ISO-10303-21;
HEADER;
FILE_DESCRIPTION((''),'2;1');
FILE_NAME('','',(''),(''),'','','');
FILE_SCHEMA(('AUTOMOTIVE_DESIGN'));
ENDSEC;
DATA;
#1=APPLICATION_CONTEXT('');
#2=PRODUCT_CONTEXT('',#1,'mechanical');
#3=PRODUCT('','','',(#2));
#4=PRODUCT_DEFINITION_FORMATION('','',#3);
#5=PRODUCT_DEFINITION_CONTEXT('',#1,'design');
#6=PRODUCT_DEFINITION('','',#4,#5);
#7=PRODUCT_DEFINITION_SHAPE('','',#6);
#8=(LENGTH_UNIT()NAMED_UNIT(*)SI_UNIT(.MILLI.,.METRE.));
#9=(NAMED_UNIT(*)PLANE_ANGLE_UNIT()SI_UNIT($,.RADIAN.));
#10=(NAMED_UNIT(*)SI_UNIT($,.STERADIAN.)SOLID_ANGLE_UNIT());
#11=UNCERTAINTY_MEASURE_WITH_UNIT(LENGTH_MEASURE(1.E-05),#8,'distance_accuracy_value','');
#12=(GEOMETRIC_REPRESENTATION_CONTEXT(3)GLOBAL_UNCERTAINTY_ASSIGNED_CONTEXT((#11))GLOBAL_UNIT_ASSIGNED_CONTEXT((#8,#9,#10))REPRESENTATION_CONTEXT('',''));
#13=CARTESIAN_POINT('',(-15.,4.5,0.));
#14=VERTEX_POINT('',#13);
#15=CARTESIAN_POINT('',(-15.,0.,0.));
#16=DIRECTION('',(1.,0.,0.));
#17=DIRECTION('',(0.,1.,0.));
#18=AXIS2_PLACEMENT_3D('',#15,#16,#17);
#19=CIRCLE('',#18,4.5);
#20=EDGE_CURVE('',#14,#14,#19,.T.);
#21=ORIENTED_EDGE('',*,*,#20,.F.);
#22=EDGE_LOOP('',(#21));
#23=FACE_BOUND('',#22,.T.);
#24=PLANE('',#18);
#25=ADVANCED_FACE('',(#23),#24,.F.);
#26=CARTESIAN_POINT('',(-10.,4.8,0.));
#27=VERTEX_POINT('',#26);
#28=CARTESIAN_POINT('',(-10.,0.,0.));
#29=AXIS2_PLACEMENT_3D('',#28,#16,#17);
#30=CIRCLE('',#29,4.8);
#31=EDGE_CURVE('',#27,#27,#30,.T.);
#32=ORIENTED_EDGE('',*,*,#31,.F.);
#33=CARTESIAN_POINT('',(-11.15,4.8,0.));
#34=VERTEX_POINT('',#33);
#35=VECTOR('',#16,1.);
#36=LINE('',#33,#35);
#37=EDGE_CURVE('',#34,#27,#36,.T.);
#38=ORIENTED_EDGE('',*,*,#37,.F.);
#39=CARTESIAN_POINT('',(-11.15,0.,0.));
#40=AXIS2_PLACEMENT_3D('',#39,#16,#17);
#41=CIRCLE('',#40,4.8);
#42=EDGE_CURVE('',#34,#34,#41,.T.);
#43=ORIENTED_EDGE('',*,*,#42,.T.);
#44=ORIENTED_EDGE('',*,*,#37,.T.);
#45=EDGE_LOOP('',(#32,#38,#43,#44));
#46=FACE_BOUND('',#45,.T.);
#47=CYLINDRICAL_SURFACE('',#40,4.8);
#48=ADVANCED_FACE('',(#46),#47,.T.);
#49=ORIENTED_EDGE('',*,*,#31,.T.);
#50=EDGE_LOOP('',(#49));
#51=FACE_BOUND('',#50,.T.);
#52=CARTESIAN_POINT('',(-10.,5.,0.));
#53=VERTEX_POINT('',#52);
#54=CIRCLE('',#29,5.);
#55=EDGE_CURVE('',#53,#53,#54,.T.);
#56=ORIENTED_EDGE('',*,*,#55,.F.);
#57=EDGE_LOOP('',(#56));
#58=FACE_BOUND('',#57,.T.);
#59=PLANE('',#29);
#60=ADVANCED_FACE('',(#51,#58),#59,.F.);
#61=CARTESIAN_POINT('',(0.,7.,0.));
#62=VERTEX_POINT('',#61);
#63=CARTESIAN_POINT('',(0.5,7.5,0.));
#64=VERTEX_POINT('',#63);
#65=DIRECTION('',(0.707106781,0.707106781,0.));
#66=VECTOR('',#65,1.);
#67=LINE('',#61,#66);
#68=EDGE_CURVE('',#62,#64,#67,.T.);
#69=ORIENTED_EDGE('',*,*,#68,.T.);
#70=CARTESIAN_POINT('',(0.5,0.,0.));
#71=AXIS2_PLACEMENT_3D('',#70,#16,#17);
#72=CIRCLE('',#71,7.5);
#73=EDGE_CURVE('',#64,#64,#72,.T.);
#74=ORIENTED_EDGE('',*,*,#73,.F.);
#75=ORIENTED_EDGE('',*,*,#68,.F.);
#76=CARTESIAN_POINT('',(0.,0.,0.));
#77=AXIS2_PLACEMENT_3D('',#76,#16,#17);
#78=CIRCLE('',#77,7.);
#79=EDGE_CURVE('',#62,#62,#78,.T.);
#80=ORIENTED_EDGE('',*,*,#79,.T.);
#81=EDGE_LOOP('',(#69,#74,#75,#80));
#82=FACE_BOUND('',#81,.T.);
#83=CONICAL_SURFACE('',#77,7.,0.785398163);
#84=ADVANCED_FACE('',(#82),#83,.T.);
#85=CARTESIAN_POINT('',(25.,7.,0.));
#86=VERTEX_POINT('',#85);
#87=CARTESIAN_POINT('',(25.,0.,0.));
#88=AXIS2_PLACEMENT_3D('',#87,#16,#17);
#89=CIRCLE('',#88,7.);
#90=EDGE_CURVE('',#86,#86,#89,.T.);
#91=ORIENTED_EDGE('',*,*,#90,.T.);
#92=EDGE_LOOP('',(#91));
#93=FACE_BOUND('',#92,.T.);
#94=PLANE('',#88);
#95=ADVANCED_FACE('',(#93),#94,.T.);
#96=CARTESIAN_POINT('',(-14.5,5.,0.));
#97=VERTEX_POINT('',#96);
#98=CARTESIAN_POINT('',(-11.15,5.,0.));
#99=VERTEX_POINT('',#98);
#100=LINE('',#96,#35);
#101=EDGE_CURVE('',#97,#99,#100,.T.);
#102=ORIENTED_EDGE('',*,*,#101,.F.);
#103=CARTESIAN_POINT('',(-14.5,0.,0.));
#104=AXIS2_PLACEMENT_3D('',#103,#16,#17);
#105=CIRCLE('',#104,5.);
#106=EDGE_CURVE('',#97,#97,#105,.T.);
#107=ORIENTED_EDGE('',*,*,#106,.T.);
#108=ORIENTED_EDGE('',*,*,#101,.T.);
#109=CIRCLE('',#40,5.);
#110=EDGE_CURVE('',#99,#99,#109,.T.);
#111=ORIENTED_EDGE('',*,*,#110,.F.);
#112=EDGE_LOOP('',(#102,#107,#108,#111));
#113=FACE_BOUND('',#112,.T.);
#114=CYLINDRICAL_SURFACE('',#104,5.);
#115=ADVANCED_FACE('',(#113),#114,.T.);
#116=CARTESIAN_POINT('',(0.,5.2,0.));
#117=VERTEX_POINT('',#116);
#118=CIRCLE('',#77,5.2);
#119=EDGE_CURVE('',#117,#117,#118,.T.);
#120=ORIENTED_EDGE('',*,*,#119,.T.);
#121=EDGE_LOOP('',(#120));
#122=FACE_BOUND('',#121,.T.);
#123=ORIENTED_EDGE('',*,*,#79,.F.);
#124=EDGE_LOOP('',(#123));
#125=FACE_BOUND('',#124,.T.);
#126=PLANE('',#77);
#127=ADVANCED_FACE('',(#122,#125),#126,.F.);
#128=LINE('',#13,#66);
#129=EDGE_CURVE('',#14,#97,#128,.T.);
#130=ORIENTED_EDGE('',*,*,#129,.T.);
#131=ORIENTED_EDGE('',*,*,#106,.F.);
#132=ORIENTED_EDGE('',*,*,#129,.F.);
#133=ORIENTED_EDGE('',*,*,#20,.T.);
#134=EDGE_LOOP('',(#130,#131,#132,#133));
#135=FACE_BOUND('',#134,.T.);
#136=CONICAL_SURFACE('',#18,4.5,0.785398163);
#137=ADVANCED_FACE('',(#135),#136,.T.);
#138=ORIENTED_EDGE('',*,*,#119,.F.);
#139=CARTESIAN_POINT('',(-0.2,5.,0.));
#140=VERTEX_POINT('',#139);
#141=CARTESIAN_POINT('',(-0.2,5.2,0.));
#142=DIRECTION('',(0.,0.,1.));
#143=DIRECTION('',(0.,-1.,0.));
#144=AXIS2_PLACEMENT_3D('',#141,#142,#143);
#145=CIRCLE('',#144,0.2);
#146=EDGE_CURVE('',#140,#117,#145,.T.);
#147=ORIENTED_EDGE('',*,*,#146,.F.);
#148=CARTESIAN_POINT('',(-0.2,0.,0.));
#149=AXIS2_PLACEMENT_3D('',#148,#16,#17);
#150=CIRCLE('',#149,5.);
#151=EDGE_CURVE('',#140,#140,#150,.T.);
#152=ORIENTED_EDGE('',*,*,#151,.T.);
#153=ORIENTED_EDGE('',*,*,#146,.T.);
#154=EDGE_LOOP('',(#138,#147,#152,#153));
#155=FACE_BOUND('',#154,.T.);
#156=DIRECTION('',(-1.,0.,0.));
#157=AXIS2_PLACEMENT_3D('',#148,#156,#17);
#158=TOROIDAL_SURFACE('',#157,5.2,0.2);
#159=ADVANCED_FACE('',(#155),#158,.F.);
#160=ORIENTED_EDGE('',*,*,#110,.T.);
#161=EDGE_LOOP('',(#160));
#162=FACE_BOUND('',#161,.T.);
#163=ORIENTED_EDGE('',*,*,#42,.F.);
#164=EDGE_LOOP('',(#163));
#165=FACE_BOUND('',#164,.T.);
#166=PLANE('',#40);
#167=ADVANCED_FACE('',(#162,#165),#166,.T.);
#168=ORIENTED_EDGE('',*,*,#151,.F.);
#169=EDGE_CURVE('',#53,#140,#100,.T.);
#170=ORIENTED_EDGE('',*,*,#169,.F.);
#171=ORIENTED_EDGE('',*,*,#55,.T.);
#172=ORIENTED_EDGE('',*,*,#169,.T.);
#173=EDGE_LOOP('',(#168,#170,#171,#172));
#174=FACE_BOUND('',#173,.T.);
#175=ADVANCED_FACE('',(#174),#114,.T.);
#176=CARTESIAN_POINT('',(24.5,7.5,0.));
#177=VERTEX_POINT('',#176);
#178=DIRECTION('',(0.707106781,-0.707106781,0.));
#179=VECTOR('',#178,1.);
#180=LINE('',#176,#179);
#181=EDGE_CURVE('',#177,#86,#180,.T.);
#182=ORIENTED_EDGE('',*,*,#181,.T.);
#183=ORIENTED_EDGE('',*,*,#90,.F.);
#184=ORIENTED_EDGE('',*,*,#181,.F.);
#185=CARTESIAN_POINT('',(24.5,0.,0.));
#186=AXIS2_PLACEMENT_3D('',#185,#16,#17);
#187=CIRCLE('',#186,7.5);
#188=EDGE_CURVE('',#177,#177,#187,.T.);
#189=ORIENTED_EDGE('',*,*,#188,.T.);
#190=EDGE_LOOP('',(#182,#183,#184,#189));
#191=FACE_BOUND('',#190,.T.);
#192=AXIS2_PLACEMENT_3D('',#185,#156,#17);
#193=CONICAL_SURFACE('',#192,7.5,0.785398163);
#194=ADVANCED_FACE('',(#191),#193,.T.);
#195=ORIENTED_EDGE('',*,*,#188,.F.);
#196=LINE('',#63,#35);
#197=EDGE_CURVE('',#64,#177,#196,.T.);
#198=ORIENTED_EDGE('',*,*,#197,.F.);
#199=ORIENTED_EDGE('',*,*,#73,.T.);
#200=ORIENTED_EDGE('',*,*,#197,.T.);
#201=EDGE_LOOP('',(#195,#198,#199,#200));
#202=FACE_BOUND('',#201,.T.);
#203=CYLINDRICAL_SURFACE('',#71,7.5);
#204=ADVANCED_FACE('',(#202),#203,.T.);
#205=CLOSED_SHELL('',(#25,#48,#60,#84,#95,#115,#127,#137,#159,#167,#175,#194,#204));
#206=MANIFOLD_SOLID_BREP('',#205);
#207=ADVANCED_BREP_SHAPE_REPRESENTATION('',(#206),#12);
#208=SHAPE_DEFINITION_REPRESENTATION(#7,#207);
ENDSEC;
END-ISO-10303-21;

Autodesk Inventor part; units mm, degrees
ref_plane "YZ Plane" through (0, 0, 0) normal (1, 0, 0) x (0, 1, 0)
ref_plane "XZ Plane" through (0, 0, 0) normal (0, 1, 0) x (-1, 0, 0)
ref_plane "XY Plane" through (0, 0, 0) normal (0, 0, 1) x (1, 0, 0)
sketch "Sketch_1" plane through (0, 0, 0) normal (0, 0, 1) x (1, 0, 0)
  line L0 (25, 0) -> (-15, 0)
  line L1 (-15, 0) -> (-15, 4.5)
  line L2 (-15, 4.5) -> (-14.5, 5)
  line L3 (-14.5, 5) -> (-0.2, 5)
  arc A0 (-0.2, 5) -> (0, 5.2) centre (-0.2, 5.2) ccw
  line L4 (0, 5.2) -> (0, 7)
  line L5 (0, 7) -> (0.5, 7.5)
  line L6 (0.5, 7.5) -> (24.5, 7.5)
  line L7 (24.5, 7.5) -> (25, 7)
  line L8 (25, 7) -> (25, 0)
  line L9 (25, 0) -> (-15, 0)
revolve "Revolution1" add sketch "Sketch_1" angle 360 about axis through (25, 0, 0) along (1, 0, 0)
sketch "Sketch_40" plane through (0, 0, 0) normal (0, 0, 1) x (1, 0, 0)
  line L0 (1000, 0) -> (-1000, 0)
  line L1 (-11.15, 4.8) -> (-10, 4.8)
  line L2 (-10, 4.8) -> (-10, 20)
  line L3 (-10, 20) -> (-11.15, 20)
  line L4 (-11.15, 20) -> (-11.15, 4.8)
revolve "Revolution2" cut sketch "Sketch_40" angle 360 about axis through (1000, 0, 0) along (1, 0, 0)
properties part number "SFRX15-25-F15-B5-P10"
